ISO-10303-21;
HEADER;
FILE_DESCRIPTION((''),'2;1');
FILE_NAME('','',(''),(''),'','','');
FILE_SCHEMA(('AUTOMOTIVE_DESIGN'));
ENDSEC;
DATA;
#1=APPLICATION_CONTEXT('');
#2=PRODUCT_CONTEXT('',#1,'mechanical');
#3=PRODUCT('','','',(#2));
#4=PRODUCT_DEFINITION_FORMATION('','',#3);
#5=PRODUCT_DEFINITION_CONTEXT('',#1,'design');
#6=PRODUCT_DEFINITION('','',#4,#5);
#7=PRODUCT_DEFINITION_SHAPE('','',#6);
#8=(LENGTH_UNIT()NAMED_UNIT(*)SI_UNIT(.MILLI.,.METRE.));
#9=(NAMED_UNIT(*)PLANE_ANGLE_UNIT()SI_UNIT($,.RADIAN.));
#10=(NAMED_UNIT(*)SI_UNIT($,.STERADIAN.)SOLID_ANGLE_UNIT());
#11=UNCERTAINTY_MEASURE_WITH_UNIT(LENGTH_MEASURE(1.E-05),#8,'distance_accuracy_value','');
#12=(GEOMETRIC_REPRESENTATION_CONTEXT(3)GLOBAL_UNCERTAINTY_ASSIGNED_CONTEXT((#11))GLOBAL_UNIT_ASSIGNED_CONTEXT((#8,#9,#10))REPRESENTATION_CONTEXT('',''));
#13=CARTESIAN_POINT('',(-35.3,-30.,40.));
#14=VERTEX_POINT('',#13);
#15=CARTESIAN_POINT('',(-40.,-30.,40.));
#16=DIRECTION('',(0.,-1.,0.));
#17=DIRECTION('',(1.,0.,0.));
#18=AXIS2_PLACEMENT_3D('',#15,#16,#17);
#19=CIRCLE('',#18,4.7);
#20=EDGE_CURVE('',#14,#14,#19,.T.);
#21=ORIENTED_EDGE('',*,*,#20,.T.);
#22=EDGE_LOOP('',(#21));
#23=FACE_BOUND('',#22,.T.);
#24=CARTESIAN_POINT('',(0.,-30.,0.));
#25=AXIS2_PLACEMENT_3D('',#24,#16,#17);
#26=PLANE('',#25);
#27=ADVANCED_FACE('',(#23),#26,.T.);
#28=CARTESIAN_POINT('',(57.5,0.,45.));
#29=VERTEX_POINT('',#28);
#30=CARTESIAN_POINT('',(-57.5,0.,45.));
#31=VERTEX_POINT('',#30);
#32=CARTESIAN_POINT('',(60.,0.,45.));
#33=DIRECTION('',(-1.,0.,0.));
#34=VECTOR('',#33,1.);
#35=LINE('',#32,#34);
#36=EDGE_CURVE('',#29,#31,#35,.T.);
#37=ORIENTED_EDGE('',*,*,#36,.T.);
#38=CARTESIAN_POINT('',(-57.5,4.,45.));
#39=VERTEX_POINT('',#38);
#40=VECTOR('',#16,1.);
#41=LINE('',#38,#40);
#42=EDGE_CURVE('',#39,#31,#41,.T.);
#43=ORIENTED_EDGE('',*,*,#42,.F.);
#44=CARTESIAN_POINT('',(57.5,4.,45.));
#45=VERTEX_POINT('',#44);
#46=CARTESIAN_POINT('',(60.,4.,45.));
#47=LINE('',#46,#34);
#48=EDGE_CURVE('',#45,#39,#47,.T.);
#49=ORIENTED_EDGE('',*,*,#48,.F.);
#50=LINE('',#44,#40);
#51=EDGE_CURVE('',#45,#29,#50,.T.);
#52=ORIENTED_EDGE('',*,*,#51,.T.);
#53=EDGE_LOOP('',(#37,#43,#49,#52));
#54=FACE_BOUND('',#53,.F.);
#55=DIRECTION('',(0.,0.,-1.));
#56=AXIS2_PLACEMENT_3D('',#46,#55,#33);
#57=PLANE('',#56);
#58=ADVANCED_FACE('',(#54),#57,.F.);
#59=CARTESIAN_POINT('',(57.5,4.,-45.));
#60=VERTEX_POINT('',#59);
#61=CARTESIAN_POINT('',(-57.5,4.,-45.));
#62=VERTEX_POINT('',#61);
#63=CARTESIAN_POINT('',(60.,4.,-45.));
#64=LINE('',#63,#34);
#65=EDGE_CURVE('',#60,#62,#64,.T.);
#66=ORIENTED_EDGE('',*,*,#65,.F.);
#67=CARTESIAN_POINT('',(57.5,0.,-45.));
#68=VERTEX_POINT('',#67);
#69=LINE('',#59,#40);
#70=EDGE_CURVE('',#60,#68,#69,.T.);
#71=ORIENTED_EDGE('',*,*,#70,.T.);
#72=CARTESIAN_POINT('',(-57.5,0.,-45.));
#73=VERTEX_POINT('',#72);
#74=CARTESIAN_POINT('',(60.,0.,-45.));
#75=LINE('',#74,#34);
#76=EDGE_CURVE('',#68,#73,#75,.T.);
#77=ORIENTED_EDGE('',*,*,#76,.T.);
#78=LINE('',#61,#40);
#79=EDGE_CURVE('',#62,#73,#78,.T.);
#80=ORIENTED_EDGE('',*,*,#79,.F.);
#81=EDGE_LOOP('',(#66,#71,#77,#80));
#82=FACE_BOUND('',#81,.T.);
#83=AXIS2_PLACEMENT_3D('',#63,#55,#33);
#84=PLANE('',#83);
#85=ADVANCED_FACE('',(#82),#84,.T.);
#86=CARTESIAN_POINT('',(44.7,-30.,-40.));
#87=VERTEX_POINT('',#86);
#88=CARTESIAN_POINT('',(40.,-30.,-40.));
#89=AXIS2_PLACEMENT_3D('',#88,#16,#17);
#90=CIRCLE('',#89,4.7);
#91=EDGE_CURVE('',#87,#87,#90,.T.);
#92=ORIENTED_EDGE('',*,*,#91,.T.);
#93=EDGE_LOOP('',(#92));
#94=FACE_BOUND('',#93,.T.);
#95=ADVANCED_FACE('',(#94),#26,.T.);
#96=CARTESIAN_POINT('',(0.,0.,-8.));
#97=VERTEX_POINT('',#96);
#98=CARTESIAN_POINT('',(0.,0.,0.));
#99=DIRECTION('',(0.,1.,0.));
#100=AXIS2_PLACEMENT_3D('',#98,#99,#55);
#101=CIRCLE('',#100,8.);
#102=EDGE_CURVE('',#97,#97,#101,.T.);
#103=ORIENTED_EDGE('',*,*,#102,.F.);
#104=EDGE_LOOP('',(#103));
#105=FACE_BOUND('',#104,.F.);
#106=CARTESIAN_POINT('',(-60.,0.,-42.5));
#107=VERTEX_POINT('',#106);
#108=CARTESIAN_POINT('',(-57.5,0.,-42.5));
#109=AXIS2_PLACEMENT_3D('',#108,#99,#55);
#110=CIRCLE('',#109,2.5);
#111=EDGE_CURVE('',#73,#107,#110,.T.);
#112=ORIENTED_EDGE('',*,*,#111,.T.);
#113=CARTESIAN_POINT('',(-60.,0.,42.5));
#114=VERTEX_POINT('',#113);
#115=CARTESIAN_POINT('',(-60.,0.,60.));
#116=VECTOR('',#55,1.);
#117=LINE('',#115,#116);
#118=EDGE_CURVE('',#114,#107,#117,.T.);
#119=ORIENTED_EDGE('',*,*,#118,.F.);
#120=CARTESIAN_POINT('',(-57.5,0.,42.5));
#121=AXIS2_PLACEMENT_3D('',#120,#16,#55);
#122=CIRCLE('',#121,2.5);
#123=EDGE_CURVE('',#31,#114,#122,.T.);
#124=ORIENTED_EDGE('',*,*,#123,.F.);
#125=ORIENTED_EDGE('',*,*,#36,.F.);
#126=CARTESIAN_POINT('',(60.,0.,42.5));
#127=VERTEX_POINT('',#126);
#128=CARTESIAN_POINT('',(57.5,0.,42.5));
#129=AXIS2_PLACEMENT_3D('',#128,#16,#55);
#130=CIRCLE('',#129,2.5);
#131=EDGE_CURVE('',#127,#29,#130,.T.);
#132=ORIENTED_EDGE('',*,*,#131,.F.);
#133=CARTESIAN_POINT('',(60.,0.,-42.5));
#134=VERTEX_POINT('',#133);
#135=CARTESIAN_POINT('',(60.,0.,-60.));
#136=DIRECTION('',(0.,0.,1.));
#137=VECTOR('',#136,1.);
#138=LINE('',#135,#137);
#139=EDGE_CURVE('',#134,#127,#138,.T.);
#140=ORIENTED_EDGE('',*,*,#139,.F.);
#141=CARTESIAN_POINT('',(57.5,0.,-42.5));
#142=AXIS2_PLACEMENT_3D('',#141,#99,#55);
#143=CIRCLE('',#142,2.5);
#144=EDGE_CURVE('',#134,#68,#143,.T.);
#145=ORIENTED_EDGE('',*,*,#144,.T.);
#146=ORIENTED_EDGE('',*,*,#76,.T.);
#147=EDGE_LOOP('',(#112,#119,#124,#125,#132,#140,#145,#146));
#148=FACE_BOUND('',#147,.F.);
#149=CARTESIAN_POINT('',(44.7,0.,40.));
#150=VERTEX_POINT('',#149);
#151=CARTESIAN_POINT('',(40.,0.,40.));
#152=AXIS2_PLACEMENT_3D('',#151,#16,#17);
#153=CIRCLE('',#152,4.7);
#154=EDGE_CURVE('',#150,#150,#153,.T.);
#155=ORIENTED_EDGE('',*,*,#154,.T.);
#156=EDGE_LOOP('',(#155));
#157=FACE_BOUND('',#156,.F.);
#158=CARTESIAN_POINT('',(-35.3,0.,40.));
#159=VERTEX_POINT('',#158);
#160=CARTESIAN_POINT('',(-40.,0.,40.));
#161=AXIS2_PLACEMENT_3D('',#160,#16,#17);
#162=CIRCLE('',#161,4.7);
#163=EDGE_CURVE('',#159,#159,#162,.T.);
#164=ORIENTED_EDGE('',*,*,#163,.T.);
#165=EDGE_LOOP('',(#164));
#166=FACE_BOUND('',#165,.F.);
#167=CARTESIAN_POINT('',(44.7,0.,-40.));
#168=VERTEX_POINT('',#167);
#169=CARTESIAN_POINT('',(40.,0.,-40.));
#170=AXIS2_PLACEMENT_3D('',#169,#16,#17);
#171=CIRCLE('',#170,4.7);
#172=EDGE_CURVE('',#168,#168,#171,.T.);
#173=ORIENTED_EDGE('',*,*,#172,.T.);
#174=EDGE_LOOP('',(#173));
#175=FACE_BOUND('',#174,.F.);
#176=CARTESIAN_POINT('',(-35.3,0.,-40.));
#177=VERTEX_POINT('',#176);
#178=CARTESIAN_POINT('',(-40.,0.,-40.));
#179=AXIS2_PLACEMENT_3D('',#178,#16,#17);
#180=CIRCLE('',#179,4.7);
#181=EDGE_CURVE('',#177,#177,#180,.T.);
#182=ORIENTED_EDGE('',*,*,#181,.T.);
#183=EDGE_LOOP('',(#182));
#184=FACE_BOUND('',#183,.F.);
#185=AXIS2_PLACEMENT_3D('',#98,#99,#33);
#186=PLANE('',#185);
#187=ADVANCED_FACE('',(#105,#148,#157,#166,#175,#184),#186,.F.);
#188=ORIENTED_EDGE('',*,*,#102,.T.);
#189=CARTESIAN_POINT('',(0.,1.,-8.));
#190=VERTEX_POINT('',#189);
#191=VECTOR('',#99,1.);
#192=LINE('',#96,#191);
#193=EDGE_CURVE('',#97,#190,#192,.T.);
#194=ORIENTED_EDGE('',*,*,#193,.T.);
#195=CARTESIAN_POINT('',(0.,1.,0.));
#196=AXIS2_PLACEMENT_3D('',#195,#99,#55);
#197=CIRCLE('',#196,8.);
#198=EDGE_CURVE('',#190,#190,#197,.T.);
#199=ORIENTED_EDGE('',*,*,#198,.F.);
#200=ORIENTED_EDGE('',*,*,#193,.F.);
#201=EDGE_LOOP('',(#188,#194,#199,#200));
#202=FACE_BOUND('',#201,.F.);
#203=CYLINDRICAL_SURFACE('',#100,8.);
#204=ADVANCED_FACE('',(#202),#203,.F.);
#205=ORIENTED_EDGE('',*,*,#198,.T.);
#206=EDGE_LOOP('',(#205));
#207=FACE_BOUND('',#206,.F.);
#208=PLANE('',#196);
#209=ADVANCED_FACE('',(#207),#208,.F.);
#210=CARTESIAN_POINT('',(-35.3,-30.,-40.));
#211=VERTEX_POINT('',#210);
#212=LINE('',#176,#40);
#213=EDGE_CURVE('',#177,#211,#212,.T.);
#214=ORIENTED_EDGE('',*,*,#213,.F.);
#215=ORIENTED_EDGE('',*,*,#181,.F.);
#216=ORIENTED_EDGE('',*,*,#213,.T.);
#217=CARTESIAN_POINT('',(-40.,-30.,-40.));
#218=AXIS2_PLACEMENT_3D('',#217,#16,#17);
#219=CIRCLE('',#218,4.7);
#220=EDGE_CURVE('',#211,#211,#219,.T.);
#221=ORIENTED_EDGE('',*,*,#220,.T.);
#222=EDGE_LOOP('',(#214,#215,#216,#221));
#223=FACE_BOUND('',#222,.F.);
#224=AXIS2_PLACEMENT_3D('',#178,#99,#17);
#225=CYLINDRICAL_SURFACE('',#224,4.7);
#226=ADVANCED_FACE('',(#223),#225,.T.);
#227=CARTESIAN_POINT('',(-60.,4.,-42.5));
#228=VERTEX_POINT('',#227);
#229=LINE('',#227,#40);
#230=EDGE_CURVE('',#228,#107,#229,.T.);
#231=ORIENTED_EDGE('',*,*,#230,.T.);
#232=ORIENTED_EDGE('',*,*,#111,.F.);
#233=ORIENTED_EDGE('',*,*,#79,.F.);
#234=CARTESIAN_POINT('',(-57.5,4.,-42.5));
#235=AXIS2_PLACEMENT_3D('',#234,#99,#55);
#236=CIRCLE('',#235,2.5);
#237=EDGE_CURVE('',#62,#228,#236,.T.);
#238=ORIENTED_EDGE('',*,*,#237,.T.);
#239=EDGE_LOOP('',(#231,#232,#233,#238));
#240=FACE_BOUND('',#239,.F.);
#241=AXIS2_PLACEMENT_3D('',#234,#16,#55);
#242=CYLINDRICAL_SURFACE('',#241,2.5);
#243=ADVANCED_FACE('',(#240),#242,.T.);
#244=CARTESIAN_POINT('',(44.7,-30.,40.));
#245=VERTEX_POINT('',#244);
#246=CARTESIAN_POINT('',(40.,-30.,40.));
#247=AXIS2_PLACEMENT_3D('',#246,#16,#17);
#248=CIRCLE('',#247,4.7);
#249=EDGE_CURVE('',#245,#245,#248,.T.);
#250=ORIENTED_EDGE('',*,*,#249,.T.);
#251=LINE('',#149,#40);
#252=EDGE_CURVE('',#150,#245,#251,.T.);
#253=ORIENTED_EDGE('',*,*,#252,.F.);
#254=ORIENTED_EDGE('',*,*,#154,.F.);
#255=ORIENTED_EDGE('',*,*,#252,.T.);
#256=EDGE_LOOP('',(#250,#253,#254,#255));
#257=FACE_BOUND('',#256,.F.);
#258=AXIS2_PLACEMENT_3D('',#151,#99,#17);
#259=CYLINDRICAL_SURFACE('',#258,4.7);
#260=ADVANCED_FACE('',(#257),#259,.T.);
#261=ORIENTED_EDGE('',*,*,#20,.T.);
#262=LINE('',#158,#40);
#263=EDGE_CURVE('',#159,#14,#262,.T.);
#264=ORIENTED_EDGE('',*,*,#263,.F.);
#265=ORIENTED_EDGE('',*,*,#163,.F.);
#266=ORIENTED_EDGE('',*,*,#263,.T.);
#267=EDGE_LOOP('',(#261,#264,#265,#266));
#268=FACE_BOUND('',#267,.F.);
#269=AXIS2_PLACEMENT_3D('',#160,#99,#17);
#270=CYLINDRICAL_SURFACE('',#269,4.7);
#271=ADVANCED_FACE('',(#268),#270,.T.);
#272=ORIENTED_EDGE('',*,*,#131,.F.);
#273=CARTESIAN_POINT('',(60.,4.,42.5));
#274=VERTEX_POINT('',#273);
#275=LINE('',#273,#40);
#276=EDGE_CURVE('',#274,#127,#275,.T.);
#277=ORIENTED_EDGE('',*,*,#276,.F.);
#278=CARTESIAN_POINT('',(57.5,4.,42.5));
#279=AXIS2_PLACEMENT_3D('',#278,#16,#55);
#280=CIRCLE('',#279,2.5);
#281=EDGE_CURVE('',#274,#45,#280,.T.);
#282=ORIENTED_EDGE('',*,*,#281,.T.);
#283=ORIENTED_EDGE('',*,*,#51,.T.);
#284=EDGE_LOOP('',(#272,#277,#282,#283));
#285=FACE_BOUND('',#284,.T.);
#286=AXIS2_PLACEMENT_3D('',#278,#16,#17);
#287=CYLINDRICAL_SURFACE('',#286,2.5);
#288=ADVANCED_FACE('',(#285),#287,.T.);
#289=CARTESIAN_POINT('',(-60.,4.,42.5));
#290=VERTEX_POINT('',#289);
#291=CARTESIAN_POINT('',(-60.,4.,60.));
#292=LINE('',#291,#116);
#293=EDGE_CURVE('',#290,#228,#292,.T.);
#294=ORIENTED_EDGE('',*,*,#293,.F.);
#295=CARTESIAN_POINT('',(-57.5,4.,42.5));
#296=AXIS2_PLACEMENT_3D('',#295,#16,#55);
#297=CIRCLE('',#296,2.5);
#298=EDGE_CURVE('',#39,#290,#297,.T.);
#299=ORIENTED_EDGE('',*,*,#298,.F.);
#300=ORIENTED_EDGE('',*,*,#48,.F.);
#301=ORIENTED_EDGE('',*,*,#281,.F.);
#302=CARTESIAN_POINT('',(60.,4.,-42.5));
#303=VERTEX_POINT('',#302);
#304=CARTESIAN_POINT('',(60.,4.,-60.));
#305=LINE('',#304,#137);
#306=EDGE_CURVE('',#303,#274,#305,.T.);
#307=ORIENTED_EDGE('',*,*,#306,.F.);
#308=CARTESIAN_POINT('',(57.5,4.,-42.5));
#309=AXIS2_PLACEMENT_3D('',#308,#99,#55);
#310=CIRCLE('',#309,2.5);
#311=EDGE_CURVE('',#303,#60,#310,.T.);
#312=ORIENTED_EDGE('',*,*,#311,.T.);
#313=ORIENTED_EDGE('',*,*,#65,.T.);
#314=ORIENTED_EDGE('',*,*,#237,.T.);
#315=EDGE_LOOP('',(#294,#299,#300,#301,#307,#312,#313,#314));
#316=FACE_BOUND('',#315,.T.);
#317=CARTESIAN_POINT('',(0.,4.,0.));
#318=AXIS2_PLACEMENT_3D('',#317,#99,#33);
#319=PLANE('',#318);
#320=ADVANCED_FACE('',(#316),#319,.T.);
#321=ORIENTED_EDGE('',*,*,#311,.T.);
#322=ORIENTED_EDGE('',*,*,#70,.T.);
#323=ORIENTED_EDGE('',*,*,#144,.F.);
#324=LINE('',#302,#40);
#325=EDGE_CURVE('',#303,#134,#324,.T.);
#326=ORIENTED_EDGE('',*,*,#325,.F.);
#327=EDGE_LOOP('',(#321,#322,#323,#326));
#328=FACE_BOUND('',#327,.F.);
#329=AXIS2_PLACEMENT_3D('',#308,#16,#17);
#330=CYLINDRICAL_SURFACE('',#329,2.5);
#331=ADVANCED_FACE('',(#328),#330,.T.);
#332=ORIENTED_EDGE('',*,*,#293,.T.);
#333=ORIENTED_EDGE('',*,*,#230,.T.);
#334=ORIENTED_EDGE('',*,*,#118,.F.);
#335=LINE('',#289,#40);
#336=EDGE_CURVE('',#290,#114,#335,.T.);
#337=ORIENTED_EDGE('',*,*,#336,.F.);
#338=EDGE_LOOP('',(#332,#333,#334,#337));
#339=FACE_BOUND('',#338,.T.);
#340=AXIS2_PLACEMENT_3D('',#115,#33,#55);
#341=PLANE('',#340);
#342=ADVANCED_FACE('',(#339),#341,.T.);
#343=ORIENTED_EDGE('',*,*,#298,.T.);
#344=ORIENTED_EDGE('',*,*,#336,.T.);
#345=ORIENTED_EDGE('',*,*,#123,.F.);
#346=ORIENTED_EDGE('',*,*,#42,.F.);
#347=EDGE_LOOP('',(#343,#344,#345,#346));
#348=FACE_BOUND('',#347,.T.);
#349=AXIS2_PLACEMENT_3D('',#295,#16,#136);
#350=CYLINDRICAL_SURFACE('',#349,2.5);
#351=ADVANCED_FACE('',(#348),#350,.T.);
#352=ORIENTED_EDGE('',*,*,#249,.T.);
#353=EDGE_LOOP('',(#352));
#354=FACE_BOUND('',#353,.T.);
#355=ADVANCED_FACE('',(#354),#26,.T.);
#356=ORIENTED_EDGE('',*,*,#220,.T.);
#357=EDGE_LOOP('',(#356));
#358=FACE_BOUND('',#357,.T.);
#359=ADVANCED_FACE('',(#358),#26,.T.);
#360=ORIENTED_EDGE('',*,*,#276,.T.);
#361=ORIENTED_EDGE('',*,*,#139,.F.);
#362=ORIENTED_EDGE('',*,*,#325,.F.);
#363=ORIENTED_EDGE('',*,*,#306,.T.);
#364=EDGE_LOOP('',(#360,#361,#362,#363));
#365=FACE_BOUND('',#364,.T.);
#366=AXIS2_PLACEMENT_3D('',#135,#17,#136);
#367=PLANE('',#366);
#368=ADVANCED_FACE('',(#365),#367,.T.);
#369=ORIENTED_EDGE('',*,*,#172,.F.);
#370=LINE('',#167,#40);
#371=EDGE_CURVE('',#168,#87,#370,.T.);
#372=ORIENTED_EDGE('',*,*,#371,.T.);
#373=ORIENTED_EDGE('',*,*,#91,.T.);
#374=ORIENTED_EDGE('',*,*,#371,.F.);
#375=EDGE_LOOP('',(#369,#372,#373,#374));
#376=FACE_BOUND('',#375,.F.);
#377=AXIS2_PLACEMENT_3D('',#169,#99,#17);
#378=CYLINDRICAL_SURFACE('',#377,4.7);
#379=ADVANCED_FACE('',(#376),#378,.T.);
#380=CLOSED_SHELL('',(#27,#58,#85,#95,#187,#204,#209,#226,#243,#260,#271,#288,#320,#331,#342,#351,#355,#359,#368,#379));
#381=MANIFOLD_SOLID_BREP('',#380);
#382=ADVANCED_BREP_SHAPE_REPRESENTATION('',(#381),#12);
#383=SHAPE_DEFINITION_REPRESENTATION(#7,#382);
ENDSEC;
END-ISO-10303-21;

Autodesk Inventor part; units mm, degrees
ref_plane "YZ Plane" through (0, 0, 0) normal (1, 0, 0) x (0, 1, 0)
ref_plane "XZ Plane" through (0, 0, 0) normal (0, 1, 0) x (-1, 0, 0)
ref_plane "XY Plane" through (0, 0, 0) normal (0, 0, 1) x (1, 0, 0)
sketch "Sketch2" plane through (0, 0, 0) normal (0, 1, 0) x (-1, 0, 0)
  line L0 (-60, 60) -> (60, 60)
  line L1 (60, 60) -> (60, -60)
  line L2 (60, -60) -> (-60, -60)
  line L3 (-60, -60) -> (-60, 60)
  line L4 (-60, 60) -> (60, -60) construction
  line L5 (60, 60) -> (-60, -60) construction
  point P0 (0, 0)
  dimension "d4" = 120
  dimension "d5" = 120
extrude "Extrusion2" add sketch "Sketch2" along normal blind 4
sketch "Sketch3" plane through (0, 0, 0) normal (0, -1, 0) x (1, 0, 0)
  line L0 (-40, 40) -> (40, 40) construction
  line L1 (40, 40) -> (40, -40) construction
  line L2 (40, -40) -> (-40, -40) construction
  line L3 (-40, -40) -> (-40, 40) construction
  line L4 (-40, 40) -> (40, -40) construction
  line L5 (40, 40) -> (-40, -40) construction
  circle A0 centre (40, 40) radius 4.7
  circle A1 centre (-40, 40) radius 4.7
  circle A2 centre (-40, -40) radius 4.7
  circle A3 centre (40, -40) radius 4.7
  point P0 (0, 0)
  dimension "d8" = 80
  dimension "d9" = 80
  dimension "d10" = 9.4
  dimension "d13" = 360
extrude "Extrusion3" add sketch "Sketch3" along normal blind 30
sketch "Sketch4" plane through (0, 0, 0) normal (0, -1, 0) x (1, 0, 0)
  point P0 (0, 0)
  point P1 (0, 0)
hole "Hole1" at (0, 0, 0) direction (0, 1, 0) diameter 16 depth 1
sketch "Sketch5" plane through (0, 4, 0) normal (0, 1, 0) x (1, 0, 0)
  line L0 (60, -60) -> (60, 60) projected
  line L1 (-60, -60) -> (60, -60)
  line L2 (60, -60) -> (60, -45)
  line L3 (60, -45) -> (-60, -45)
  line L4 (-60, -45) -> (-60, -60)
  line L5 (60, 60) -> (-60, 60) projected
  line L6 (-60, 60) -> (60, 60)
  line L7 (60, 60) -> (60, 45)
  line L8 (60, 45) -> (-60, 45)
  line L9 (-60, 45) -> (-60, 60)
  point P0 (0, 0)
  dimension "d24" = 15
  dimension "d25" = 15
extrude "Extrusion4" cut sketch "Sketch5" against normal up to surface (4 mm away)
fillet "Fillet2" radius 2.5 4 edges at (60, 2, 45) (60, 2, -45) (-60, 2, 45) (-60, 2, -45)
properties part number "sliding_surface_3DPrint"
